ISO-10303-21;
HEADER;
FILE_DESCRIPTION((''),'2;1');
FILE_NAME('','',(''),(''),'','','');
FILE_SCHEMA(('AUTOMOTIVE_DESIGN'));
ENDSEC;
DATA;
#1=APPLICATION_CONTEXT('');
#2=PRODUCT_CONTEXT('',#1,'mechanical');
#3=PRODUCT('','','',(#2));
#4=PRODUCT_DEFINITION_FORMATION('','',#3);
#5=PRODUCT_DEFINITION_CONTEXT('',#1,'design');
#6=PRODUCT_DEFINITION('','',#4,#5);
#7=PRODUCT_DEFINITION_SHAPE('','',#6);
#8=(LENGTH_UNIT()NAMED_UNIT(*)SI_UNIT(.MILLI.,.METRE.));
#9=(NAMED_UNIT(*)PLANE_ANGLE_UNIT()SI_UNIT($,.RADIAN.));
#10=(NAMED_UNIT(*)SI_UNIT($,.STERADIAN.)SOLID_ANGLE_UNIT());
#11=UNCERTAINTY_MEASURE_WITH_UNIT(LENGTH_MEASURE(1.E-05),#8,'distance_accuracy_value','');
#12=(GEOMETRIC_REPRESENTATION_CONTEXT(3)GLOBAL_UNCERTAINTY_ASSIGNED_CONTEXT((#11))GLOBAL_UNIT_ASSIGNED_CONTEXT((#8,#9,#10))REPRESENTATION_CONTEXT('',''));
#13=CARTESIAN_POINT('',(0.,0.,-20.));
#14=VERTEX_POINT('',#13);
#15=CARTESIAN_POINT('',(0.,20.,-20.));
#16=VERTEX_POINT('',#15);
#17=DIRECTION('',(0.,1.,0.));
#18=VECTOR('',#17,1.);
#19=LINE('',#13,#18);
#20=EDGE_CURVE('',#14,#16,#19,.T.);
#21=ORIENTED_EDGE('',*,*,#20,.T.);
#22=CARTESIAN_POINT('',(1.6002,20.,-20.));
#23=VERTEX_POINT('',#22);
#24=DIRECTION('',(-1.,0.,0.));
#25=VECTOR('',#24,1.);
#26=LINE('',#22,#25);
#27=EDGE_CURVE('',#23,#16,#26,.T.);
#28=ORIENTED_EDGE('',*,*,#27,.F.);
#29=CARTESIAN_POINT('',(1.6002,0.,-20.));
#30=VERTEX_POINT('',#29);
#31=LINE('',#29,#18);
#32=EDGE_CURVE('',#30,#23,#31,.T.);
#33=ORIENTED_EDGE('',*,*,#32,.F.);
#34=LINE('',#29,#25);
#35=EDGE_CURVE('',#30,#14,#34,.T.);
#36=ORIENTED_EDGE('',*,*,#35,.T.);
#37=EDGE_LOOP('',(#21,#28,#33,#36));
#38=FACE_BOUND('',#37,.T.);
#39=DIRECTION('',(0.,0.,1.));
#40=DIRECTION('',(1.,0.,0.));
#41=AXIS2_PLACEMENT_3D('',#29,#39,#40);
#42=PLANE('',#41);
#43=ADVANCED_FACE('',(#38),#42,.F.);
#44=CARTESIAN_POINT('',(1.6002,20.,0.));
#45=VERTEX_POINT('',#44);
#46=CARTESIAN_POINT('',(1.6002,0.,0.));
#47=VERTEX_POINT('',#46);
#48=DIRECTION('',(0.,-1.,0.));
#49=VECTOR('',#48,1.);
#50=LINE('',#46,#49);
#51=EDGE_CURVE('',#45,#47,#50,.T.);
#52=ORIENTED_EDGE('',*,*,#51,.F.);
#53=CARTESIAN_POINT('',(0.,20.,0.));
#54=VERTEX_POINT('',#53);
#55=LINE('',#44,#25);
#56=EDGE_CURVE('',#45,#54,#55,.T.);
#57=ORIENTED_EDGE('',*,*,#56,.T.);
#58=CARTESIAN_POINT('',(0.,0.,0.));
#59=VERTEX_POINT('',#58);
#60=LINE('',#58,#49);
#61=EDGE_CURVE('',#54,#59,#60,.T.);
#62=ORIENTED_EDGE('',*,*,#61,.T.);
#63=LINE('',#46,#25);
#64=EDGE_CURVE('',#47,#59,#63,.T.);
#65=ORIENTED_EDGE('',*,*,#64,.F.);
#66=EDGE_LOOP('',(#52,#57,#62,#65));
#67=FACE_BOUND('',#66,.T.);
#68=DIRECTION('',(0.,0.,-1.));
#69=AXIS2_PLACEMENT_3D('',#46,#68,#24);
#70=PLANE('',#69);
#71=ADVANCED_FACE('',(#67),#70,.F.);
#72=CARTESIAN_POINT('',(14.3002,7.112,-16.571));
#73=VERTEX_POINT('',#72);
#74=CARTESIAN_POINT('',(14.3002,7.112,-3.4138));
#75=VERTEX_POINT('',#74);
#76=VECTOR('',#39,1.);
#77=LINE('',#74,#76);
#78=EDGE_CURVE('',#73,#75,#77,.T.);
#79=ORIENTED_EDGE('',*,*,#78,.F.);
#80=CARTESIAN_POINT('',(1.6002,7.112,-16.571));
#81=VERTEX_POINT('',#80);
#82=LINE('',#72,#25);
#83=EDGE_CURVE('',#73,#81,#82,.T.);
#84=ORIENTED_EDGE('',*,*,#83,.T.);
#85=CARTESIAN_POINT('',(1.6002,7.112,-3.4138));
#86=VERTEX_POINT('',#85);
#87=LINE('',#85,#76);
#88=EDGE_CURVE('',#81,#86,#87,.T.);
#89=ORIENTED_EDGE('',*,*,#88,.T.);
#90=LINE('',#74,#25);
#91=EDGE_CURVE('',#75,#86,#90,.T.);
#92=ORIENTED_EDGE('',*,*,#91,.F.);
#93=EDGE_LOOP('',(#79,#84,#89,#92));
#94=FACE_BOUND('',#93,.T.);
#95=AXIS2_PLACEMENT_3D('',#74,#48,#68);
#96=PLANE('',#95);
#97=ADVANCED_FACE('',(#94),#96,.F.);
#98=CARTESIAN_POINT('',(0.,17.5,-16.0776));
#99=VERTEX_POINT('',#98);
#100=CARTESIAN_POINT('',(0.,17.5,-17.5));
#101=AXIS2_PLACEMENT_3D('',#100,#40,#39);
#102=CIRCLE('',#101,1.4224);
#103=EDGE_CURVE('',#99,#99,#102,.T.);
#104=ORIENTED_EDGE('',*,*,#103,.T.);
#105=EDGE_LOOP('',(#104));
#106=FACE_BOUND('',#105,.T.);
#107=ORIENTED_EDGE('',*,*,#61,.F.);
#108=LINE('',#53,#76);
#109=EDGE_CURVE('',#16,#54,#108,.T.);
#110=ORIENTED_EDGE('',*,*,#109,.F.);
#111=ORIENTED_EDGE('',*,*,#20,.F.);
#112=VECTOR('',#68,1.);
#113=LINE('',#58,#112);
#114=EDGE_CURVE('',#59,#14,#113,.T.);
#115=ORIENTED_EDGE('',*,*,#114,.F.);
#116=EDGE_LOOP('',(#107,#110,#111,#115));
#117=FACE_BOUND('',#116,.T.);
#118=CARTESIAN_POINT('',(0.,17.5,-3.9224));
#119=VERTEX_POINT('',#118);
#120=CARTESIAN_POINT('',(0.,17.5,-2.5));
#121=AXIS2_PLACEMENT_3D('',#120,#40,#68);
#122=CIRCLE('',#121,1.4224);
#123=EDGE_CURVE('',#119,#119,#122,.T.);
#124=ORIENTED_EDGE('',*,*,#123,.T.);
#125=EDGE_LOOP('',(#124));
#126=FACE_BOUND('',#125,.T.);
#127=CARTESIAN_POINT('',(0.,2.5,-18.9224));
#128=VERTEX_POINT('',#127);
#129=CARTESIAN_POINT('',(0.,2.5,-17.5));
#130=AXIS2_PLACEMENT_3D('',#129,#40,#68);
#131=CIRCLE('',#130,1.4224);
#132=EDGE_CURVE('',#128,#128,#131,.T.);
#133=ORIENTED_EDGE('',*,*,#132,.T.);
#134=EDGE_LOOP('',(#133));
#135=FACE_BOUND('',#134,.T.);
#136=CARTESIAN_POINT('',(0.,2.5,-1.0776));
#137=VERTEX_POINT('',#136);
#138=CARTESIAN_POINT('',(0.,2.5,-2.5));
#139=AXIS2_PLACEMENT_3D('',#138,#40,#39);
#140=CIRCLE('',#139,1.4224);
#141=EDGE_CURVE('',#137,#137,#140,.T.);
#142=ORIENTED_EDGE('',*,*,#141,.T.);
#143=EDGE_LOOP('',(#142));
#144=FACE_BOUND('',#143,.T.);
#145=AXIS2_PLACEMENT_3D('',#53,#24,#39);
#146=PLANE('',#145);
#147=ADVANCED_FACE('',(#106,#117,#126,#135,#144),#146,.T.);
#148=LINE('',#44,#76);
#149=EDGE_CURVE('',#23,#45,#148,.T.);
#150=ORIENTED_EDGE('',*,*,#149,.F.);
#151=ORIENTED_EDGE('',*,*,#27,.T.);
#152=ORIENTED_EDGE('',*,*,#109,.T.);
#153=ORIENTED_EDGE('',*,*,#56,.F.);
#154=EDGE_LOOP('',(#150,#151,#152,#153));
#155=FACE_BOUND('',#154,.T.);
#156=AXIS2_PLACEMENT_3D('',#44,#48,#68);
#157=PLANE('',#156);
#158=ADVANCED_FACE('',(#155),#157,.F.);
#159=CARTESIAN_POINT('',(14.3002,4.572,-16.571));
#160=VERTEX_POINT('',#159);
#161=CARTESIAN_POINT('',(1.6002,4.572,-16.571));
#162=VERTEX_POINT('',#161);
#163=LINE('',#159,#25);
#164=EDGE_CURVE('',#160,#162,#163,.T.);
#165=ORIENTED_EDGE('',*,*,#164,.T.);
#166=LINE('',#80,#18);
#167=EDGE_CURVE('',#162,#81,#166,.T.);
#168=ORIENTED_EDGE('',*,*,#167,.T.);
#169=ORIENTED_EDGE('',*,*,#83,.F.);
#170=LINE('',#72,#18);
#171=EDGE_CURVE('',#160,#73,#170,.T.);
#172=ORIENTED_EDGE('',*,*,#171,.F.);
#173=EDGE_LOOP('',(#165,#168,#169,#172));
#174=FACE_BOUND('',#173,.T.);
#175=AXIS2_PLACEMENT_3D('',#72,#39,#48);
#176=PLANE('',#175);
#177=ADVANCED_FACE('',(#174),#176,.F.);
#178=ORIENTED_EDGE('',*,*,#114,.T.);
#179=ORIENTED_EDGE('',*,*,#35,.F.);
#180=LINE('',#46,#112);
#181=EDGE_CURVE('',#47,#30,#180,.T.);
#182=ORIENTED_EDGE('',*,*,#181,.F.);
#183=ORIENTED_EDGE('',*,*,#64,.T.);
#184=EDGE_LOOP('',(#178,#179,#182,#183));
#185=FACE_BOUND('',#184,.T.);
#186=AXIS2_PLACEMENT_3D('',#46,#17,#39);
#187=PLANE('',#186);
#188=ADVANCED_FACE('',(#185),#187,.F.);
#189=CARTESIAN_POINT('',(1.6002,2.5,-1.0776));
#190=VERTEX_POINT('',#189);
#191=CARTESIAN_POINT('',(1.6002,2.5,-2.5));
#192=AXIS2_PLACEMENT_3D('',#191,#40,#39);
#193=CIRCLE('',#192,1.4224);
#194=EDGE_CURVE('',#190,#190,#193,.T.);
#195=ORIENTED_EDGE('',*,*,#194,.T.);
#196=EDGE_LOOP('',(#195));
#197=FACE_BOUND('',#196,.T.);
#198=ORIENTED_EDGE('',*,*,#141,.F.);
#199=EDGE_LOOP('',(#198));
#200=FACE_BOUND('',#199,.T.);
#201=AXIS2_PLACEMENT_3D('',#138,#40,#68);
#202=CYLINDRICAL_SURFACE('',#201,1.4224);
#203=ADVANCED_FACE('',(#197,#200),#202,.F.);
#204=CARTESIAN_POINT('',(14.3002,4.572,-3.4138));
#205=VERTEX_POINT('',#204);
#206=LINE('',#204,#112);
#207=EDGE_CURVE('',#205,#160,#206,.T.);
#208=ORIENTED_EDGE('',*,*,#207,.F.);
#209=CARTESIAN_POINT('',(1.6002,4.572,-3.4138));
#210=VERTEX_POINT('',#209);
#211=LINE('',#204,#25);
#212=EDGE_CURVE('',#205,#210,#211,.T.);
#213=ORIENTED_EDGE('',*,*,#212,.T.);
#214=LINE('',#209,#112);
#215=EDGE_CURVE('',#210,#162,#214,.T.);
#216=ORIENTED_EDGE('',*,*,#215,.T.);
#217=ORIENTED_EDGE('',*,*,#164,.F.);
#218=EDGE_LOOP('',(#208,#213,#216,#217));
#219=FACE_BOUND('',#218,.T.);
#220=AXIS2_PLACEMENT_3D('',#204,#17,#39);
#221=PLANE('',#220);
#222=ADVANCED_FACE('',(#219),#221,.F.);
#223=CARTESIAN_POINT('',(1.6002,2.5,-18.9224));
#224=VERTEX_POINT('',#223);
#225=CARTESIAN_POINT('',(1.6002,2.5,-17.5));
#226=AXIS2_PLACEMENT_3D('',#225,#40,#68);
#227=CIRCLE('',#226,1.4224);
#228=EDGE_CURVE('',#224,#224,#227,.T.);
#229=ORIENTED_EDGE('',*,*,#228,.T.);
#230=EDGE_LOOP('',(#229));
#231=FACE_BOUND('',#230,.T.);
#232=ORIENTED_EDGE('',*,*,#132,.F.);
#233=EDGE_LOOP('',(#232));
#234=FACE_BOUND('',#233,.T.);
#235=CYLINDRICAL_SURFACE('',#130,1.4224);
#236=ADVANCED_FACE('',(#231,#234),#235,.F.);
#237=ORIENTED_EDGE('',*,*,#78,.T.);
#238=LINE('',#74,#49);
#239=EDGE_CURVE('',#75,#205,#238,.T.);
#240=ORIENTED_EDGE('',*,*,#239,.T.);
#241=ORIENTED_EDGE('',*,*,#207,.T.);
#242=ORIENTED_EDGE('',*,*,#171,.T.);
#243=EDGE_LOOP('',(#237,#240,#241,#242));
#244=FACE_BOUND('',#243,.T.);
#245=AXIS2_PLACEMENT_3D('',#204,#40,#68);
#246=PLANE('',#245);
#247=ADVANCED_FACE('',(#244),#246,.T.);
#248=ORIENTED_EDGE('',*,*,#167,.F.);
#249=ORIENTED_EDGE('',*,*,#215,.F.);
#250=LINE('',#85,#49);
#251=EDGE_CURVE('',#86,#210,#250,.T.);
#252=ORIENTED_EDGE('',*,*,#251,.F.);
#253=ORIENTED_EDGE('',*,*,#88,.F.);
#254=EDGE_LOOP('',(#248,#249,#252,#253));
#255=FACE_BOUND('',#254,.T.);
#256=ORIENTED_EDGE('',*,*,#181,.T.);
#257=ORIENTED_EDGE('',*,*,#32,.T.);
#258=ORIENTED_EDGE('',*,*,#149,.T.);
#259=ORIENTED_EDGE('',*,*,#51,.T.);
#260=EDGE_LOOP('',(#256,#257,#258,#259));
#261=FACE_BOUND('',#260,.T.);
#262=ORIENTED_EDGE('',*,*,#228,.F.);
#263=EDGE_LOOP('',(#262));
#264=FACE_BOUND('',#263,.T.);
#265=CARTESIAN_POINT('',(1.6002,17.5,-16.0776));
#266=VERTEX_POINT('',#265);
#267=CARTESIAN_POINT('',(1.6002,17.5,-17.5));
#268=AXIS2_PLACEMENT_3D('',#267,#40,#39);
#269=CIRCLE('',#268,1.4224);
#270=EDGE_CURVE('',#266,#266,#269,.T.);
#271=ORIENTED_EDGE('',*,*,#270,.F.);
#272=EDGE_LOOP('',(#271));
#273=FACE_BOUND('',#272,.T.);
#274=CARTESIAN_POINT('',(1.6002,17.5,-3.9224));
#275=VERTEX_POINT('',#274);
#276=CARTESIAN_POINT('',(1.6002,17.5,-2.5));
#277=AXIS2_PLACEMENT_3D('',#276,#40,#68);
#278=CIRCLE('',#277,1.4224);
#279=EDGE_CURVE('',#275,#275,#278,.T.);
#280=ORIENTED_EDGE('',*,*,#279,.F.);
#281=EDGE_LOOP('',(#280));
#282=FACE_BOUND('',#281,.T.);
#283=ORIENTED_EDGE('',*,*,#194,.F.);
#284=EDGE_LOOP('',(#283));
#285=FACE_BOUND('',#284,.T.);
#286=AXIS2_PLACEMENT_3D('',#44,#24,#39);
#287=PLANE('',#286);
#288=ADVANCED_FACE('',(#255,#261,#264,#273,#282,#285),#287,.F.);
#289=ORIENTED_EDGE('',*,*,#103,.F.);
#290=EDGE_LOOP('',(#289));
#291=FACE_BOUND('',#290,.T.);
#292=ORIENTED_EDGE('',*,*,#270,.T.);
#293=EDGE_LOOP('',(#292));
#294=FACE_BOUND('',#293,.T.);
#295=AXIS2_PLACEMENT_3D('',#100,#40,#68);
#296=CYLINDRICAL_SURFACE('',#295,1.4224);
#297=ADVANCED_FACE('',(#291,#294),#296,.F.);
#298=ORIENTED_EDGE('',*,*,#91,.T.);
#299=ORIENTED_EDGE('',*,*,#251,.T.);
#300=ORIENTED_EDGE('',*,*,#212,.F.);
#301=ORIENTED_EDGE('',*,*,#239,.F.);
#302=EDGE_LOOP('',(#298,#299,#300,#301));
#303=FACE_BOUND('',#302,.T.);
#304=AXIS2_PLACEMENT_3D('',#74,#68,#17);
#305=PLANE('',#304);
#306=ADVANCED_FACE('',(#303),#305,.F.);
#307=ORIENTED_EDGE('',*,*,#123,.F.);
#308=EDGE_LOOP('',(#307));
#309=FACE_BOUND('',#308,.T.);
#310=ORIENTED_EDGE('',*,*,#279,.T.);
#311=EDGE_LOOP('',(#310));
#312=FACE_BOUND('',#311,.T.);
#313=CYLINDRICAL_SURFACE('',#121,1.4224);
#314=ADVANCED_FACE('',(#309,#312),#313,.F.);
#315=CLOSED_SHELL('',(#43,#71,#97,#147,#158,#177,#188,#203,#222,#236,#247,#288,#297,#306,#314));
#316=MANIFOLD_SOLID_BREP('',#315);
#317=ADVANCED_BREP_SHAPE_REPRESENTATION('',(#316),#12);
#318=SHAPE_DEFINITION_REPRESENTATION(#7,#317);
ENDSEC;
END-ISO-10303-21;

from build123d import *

# Parameters (mm, degrees)
SKETCH1_W          = 20
SKETCH1_H          = 20
EXTRUDE1_DEPTH     = 1.6002
SKETCH2_R          = 1.4224
CUT_EXTRUDE1_DEPTH = 2.6002
SKETCH3_W          = 13.1572
SKETCH3_H          = 2.54
EXTRUDE2_DEPTH     = 12.7


with BuildPart() as part:
    # Sketch1 → Extrude1 (new body)
    with BuildSketch(Plane(origin=(0, 0, 0), x_dir=(0, 0, -1), z_dir=(1, 0, 0))):
        with Locations((10, 10)):
            Rectangle(SKETCH1_W, SKETCH1_H)
    extrude(amount=EXTRUDE1_DEPTH)

    # Sketch2 → Cut-Extrude1 (cut, through all)
    with BuildSketch(Plane(origin=(1.6002, 0, 0), x_dir=(0, 0, -1), z_dir=(1, 0, 0))):
        with Locations((2.5, 17.5)):
            Circle(SKETCH2_R)
        with Locations((17.5, 17.5)):
            Circle(SKETCH2_R)
        with Locations((17.5, 2.5)):
            Circle(SKETCH2_R)
        with Locations((2.5, 2.5)):
            Circle(SKETCH2_R)
    extrude(amount=-CUT_EXTRUDE1_DEPTH, mode=Mode.SUBTRACT)

    # Sketch3 → Extrude2 (add)
    with BuildSketch(Plane(origin=(1.6002, 0, 0), x_dir=(0, 0, -1), z_dir=(1, 0, 0))):
        with Locations((9.9924, 5.842)):
            Rectangle(SKETCH3_W, SKETCH3_H)
    extrude(amount=EXTRUDE2_DEPTH)


solid = part.part
